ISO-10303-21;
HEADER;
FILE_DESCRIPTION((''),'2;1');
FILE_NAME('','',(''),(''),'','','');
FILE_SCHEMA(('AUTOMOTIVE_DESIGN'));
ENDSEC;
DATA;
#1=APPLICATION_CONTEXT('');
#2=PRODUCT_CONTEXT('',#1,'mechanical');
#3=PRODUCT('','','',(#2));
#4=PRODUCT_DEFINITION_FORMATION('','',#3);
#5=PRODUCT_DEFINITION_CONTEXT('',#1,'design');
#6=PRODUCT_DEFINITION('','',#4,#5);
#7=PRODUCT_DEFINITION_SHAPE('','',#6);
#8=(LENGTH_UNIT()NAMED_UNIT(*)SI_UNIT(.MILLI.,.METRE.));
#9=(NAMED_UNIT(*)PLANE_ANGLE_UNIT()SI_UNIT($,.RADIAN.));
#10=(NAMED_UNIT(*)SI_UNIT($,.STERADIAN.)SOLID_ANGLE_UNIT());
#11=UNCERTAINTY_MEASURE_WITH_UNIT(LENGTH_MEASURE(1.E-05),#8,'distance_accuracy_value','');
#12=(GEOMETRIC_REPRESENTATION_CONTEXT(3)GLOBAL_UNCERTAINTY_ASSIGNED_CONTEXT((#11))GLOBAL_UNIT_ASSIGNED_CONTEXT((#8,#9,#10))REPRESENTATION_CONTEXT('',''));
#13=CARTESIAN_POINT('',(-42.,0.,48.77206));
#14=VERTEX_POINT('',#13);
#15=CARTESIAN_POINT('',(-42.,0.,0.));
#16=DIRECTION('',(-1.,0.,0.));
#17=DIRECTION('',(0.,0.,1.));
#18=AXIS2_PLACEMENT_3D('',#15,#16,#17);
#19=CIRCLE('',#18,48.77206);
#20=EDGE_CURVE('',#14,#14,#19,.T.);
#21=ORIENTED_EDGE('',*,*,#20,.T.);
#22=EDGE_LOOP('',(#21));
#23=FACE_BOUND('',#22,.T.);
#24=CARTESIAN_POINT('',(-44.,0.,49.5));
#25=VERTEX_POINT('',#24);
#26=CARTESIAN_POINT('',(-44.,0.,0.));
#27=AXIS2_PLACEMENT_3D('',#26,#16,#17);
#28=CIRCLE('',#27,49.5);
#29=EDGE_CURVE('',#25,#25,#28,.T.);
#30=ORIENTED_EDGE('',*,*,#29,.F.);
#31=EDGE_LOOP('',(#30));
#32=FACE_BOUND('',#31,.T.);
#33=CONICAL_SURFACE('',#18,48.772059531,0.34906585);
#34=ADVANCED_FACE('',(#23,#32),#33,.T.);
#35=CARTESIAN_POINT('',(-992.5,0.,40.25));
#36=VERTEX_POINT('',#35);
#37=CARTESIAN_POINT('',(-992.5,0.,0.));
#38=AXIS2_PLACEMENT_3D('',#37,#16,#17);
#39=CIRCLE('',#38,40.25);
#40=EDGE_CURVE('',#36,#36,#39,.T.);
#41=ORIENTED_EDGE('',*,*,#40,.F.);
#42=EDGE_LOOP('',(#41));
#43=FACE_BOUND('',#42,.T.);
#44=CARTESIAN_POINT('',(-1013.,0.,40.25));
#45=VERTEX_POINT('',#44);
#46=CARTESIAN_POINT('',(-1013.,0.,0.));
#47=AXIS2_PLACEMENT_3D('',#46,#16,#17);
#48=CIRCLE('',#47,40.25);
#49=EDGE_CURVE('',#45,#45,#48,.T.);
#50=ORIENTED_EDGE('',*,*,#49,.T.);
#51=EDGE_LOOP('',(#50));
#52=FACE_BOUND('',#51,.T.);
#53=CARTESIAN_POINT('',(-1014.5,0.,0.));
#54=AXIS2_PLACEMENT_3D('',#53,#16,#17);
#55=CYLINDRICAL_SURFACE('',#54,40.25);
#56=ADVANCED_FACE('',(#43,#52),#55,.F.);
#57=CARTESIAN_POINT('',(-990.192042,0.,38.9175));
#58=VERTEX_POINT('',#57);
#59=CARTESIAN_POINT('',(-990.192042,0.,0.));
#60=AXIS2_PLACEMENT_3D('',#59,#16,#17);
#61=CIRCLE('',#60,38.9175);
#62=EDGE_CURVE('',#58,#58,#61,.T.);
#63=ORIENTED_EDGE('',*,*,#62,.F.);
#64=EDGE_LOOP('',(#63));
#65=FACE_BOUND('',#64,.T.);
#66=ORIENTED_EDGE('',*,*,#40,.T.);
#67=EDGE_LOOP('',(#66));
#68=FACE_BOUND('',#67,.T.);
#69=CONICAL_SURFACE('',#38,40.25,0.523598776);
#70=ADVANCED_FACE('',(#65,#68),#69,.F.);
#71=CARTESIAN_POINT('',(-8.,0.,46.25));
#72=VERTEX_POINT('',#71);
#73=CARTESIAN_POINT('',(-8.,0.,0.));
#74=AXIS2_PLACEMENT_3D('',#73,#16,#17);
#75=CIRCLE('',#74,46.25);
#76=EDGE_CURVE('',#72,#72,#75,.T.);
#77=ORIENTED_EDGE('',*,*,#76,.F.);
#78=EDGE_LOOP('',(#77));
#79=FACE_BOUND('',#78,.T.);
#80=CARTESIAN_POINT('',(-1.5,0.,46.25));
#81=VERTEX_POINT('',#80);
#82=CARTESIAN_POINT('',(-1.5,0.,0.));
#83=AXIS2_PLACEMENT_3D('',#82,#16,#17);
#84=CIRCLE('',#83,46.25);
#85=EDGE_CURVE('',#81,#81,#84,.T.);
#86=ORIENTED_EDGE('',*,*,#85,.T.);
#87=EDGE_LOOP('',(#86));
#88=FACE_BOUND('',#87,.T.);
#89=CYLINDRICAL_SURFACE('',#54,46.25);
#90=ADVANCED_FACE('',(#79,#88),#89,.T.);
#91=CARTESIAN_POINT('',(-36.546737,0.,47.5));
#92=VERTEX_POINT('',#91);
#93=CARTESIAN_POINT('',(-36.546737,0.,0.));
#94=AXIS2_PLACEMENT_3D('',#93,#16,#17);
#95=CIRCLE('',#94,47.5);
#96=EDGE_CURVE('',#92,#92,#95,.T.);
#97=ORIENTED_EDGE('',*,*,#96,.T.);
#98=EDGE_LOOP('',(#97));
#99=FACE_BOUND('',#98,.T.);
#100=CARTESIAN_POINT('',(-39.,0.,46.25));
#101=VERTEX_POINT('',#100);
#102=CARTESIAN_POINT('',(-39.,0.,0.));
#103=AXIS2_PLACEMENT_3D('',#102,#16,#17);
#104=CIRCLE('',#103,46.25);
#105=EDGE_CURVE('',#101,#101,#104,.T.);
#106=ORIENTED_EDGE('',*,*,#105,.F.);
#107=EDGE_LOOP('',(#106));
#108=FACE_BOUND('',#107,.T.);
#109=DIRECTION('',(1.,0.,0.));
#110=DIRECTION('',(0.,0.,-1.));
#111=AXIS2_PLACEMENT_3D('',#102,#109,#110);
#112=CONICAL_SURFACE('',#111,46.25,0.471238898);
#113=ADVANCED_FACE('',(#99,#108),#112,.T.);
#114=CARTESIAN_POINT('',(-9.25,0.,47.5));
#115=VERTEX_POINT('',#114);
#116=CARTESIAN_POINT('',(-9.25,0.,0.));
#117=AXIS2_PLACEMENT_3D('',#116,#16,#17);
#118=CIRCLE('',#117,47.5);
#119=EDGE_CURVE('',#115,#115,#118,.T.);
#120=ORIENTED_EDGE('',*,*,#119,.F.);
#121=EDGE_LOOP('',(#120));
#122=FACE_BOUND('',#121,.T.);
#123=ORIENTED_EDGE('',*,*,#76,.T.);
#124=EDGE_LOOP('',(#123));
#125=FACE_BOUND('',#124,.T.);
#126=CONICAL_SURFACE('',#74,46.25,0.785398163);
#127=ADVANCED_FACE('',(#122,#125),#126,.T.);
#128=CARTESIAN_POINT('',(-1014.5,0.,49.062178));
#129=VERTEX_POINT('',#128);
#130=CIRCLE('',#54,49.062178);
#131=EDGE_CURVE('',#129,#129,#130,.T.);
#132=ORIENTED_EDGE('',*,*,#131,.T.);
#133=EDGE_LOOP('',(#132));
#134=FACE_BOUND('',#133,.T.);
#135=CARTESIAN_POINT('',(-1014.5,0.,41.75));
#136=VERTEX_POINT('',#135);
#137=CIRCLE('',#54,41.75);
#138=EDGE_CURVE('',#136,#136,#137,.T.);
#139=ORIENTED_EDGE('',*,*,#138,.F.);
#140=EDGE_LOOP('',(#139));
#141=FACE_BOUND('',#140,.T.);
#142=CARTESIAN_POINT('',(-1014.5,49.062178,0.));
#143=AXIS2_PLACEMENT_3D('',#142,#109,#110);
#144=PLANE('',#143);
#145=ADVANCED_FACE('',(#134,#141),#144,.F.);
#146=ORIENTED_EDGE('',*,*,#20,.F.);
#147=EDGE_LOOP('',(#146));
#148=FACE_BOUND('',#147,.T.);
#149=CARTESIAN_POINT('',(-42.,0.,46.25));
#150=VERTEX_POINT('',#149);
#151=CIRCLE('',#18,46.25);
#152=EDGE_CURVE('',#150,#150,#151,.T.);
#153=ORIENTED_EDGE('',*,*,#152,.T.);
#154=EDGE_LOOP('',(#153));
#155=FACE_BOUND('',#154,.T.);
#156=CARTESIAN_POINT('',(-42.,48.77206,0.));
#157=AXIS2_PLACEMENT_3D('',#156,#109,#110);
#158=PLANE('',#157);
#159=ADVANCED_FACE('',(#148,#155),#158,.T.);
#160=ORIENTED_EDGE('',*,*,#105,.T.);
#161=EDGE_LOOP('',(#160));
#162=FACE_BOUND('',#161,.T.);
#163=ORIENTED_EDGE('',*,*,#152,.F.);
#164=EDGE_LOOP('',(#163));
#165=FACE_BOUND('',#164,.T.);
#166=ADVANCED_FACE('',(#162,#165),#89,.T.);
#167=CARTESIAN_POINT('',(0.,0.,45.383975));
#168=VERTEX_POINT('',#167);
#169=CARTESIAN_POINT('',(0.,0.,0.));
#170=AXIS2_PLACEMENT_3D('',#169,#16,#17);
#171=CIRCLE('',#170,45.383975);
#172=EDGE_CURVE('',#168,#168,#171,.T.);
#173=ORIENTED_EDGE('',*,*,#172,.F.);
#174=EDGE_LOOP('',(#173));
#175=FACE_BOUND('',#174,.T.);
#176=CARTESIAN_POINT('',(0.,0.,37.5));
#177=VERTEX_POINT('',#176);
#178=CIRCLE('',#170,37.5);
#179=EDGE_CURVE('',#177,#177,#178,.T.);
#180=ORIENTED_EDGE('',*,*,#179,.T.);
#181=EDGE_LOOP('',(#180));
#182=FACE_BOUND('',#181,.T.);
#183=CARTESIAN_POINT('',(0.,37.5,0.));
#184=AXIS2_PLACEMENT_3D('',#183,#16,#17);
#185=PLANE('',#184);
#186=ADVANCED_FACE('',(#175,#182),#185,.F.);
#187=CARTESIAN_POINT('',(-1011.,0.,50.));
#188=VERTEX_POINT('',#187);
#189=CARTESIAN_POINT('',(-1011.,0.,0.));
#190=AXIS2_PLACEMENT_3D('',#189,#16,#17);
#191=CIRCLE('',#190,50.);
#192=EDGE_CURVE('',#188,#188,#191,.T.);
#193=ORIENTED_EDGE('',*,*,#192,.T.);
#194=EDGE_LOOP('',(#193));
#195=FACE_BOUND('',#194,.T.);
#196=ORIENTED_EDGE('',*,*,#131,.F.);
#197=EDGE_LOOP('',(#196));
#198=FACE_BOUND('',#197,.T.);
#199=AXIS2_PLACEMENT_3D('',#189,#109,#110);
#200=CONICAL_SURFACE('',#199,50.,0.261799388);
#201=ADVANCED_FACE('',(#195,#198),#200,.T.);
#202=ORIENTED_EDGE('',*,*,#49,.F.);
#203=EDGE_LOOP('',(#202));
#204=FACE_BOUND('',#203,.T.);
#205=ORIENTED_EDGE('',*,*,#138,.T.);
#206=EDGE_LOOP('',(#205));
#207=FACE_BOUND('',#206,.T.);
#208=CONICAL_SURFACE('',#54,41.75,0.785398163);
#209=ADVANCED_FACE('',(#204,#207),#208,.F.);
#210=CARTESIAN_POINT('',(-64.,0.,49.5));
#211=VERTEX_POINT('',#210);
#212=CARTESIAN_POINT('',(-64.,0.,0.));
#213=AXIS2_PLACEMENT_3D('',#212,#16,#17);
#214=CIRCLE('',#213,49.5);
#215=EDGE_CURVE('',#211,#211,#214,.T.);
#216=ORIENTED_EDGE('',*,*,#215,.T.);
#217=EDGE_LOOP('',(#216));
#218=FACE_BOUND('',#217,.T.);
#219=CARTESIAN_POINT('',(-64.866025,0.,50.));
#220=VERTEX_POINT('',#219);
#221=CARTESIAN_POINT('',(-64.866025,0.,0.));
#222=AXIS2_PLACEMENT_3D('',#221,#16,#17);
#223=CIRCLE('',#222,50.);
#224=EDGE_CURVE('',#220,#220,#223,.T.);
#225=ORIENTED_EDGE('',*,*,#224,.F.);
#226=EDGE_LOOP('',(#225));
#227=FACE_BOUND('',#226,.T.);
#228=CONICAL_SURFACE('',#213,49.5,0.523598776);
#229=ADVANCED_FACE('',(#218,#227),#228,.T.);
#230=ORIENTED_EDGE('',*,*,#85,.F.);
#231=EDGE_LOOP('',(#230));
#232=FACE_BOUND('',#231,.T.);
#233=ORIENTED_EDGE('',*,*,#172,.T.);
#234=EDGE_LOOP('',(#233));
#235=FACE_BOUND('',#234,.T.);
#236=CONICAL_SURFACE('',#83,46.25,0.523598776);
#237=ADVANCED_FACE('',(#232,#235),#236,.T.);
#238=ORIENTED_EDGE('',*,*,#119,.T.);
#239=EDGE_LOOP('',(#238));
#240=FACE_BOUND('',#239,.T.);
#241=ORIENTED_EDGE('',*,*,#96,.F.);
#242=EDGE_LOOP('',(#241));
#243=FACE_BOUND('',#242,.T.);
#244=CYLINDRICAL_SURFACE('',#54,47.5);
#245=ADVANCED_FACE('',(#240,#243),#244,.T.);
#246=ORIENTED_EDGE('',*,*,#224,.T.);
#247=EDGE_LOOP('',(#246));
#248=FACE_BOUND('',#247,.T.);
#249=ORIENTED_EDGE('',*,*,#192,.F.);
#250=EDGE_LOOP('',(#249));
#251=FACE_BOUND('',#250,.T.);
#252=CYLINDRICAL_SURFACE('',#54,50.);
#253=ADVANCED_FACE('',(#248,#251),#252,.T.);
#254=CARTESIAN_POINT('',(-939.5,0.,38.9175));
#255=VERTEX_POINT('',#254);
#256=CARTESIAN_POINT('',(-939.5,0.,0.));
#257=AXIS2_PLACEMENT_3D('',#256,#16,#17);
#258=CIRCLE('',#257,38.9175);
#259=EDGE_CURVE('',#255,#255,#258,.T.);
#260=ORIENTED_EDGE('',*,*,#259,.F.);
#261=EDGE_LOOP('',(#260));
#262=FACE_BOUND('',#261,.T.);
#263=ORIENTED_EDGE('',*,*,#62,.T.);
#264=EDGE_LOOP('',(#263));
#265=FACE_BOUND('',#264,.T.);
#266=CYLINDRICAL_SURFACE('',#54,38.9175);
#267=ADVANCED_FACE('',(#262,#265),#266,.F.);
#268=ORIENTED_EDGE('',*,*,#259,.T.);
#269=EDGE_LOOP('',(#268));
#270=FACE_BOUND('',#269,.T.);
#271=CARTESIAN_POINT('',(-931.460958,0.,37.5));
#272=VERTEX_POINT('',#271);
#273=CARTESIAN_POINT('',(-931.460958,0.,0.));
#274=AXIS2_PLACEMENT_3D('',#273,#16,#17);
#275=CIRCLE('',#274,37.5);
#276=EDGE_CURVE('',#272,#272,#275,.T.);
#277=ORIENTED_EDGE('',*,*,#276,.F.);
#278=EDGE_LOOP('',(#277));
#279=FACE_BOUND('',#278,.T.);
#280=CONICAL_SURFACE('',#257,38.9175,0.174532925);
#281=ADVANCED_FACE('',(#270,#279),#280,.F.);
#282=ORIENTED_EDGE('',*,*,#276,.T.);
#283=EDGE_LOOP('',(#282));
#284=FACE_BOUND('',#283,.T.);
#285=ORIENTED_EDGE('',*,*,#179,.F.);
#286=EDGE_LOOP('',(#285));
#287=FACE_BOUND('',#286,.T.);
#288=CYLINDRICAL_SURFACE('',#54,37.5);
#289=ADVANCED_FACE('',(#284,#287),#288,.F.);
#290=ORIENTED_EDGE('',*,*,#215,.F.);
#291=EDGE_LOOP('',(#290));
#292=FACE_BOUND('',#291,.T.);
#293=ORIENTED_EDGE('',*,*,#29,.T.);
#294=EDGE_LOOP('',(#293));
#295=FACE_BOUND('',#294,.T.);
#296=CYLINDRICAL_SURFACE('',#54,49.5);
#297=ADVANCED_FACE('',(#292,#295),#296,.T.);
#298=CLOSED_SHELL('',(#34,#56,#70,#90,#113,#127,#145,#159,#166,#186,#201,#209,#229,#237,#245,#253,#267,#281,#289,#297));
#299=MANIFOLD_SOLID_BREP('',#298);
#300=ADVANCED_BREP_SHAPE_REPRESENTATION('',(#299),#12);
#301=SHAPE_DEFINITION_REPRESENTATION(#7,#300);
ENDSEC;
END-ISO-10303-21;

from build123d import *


with BuildPart() as part:
    # Sketch1 → Base-Revolve (revolve)
    with BuildSketch(Plane.XY):
        Polygon((0, 37.5), (0, 45.383974596), (-1.5, 46.25), (-8, 46.25), (-9.25, 47.5), (-36.546736868, 47.5), (-39, 46.25), (-42, 46.25), (-42, 48.772059531), (-44, 49.5), (-64, 49.5), (-64.866025404, 50), (-1011, 50), (-1014.5, 49.062177826), (-1014.5, 41.75), (-1013, 40.25), (-992.5, 40.25), (-990.192042299, 38.9175), (-939.5, 38.9175), (-931.460958021, 37.5), align=None)
    revolve(axis=Axis((-1014.5, 0, 0), (1, 0, 0)))


solid = part.part
